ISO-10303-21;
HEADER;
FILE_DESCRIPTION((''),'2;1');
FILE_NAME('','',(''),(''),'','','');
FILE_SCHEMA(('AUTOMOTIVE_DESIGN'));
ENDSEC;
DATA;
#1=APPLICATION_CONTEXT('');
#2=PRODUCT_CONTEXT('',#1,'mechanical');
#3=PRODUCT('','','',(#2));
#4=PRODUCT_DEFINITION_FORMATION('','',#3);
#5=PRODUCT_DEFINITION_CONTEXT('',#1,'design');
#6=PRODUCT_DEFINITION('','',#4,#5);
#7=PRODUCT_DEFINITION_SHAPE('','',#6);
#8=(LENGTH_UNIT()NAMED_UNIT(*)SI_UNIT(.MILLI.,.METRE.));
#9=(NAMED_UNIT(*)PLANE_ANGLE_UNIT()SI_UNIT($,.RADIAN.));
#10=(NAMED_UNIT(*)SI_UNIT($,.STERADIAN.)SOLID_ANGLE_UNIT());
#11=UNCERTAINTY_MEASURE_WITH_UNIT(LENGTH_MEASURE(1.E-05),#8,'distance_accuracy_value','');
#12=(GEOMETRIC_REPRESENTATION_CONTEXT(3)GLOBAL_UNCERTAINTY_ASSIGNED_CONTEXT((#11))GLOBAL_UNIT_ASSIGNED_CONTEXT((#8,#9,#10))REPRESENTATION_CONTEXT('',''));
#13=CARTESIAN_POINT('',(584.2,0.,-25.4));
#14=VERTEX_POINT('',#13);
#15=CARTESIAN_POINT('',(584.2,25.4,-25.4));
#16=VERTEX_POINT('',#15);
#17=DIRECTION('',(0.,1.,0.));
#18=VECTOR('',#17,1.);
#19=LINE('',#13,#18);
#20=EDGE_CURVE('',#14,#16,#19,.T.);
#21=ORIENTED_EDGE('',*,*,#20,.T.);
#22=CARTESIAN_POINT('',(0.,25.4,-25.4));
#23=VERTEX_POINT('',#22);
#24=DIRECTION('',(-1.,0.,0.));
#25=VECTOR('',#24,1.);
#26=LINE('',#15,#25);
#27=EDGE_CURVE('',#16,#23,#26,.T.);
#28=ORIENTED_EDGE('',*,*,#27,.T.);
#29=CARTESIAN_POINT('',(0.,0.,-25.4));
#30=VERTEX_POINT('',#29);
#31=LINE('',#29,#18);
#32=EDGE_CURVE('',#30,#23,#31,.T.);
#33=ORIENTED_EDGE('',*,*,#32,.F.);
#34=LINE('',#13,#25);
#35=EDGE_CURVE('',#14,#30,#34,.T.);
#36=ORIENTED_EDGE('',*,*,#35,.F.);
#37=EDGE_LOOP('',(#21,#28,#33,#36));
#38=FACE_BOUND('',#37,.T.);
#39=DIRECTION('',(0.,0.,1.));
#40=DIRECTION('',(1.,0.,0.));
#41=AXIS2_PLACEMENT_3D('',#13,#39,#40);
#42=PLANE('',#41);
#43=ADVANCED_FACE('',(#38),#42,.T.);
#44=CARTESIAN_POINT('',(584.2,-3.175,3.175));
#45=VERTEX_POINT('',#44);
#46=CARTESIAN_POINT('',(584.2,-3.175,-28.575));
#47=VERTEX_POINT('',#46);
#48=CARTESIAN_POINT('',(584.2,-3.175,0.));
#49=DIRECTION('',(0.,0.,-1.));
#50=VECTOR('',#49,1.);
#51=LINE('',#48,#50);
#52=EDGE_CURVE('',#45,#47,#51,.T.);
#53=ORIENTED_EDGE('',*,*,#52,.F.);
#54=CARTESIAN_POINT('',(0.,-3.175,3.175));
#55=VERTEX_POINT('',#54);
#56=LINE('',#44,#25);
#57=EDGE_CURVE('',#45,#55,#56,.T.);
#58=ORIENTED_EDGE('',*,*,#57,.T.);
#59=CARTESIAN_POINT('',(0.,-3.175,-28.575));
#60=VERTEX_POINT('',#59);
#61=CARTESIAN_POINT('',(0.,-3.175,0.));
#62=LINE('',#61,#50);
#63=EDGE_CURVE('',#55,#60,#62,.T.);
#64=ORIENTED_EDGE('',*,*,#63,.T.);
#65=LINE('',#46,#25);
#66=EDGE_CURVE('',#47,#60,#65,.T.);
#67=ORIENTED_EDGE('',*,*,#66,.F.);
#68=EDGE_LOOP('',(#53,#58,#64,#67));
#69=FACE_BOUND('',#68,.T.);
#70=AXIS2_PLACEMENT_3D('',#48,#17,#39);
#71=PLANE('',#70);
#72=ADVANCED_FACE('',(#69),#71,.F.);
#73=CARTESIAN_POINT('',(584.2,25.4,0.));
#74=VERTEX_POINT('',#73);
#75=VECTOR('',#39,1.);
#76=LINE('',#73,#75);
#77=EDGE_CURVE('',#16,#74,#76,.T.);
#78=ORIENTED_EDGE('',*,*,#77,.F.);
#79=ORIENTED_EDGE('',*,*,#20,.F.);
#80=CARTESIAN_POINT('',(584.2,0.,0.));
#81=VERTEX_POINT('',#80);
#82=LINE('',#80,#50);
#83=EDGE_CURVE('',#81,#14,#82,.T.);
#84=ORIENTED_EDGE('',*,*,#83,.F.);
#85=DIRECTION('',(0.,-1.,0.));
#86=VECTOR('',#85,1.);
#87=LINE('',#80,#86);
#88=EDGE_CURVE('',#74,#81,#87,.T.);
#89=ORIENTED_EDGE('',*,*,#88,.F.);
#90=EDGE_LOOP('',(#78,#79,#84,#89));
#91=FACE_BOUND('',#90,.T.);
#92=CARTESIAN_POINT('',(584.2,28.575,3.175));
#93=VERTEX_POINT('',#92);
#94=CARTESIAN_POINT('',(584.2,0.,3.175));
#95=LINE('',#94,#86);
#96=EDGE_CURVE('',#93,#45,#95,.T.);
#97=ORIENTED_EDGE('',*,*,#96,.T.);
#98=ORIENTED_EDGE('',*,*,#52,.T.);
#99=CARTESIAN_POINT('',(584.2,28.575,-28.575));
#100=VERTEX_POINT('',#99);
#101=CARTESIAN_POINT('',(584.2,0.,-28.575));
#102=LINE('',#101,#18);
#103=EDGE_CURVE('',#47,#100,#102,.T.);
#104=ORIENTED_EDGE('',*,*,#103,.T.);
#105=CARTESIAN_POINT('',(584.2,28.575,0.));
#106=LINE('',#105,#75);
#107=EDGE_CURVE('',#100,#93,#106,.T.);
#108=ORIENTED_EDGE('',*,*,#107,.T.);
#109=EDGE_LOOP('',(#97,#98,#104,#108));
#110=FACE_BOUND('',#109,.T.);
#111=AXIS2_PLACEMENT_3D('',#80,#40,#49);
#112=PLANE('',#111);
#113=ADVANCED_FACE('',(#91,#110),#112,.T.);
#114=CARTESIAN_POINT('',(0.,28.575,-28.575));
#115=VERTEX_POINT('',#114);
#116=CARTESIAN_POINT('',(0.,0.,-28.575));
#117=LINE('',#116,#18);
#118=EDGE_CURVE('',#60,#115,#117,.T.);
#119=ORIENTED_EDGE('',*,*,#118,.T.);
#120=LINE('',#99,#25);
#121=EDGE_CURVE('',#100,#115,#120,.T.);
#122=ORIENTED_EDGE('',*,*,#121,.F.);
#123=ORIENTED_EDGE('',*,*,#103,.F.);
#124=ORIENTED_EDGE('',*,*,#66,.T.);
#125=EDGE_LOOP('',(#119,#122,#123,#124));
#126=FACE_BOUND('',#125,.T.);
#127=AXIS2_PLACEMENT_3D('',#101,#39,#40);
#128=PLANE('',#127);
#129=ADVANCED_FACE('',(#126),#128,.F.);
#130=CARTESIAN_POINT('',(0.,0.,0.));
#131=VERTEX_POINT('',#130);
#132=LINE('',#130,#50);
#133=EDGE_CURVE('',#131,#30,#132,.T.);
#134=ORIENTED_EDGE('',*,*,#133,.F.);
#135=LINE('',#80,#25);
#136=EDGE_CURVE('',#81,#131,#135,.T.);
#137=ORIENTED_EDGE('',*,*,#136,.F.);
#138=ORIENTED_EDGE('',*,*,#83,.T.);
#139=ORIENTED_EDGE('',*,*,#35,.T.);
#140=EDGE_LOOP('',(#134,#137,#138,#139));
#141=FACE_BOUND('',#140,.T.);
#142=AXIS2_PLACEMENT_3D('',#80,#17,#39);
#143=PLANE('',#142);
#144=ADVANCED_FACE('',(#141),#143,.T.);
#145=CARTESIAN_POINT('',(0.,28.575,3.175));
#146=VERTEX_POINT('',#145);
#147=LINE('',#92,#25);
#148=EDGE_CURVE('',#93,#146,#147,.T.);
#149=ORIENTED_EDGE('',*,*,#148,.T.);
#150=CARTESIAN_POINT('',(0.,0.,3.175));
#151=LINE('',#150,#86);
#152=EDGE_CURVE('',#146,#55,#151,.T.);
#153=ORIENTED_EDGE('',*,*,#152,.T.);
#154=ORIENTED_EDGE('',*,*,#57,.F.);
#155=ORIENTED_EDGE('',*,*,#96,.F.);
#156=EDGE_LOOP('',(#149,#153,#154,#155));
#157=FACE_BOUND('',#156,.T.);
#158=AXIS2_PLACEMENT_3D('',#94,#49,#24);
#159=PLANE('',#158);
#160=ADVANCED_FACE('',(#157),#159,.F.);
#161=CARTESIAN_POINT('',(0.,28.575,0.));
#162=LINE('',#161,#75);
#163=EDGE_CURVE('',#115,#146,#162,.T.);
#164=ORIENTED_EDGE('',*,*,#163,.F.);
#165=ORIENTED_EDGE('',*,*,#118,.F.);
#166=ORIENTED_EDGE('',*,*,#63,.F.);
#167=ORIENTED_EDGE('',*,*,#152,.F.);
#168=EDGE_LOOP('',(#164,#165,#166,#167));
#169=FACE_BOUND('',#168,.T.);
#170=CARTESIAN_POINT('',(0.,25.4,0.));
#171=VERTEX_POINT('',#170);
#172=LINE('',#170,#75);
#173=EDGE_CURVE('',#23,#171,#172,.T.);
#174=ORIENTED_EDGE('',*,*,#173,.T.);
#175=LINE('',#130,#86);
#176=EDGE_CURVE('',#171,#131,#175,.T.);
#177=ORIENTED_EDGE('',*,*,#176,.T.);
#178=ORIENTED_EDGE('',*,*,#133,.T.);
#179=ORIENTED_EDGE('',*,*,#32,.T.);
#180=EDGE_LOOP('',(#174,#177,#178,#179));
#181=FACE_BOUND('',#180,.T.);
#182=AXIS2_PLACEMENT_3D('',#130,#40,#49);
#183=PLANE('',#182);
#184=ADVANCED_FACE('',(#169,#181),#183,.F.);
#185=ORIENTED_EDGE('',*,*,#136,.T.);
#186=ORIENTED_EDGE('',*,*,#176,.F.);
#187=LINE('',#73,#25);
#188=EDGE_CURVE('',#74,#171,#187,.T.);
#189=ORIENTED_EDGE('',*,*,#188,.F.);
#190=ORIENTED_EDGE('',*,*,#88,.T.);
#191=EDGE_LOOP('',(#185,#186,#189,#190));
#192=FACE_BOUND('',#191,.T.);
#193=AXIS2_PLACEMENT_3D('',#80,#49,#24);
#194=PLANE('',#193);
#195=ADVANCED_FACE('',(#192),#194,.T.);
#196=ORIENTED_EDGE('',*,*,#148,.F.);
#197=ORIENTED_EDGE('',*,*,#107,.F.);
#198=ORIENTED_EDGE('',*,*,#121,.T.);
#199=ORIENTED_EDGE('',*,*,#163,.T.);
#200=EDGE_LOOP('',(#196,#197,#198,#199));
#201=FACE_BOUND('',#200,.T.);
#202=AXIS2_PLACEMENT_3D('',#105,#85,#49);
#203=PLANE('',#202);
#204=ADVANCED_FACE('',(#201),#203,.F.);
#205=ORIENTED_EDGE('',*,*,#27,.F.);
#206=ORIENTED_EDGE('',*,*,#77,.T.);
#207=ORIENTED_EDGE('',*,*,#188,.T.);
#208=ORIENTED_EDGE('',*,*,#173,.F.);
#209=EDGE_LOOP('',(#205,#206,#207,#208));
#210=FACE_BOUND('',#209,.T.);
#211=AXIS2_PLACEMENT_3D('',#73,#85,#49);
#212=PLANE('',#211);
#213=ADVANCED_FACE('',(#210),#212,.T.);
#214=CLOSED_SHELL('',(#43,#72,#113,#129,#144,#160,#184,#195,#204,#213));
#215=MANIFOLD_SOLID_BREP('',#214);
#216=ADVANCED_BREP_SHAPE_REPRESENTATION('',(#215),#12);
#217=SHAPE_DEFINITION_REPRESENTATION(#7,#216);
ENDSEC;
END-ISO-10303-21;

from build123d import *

# Parameters (mm, degrees)
SKETCH1_W           = 31.75
SKETCH1_H           = 31.75
SKETCH1_W_2         = 25.4
SKETCH1_H_2         = 25.4
EXTRUDE_THIN1_DEPTH = 584.2


with BuildPart() as part:
    # Sketch1 → Extrude-Thin1 (new body)
    with BuildSketch(Plane(origin=(0, 0, 0), x_dir=(0, 0, -1), z_dir=(1, 0, 0))):
        with Locations((12.7, 12.7)):
            Rectangle(SKETCH1_W, SKETCH1_H)
        with Locations((12.7, 12.7)):
            Rectangle(SKETCH1_W_2, SKETCH1_H_2, mode=Mode.SUBTRACT)
    extrude(amount=EXTRUDE_THIN1_DEPTH)


solid = part.part
